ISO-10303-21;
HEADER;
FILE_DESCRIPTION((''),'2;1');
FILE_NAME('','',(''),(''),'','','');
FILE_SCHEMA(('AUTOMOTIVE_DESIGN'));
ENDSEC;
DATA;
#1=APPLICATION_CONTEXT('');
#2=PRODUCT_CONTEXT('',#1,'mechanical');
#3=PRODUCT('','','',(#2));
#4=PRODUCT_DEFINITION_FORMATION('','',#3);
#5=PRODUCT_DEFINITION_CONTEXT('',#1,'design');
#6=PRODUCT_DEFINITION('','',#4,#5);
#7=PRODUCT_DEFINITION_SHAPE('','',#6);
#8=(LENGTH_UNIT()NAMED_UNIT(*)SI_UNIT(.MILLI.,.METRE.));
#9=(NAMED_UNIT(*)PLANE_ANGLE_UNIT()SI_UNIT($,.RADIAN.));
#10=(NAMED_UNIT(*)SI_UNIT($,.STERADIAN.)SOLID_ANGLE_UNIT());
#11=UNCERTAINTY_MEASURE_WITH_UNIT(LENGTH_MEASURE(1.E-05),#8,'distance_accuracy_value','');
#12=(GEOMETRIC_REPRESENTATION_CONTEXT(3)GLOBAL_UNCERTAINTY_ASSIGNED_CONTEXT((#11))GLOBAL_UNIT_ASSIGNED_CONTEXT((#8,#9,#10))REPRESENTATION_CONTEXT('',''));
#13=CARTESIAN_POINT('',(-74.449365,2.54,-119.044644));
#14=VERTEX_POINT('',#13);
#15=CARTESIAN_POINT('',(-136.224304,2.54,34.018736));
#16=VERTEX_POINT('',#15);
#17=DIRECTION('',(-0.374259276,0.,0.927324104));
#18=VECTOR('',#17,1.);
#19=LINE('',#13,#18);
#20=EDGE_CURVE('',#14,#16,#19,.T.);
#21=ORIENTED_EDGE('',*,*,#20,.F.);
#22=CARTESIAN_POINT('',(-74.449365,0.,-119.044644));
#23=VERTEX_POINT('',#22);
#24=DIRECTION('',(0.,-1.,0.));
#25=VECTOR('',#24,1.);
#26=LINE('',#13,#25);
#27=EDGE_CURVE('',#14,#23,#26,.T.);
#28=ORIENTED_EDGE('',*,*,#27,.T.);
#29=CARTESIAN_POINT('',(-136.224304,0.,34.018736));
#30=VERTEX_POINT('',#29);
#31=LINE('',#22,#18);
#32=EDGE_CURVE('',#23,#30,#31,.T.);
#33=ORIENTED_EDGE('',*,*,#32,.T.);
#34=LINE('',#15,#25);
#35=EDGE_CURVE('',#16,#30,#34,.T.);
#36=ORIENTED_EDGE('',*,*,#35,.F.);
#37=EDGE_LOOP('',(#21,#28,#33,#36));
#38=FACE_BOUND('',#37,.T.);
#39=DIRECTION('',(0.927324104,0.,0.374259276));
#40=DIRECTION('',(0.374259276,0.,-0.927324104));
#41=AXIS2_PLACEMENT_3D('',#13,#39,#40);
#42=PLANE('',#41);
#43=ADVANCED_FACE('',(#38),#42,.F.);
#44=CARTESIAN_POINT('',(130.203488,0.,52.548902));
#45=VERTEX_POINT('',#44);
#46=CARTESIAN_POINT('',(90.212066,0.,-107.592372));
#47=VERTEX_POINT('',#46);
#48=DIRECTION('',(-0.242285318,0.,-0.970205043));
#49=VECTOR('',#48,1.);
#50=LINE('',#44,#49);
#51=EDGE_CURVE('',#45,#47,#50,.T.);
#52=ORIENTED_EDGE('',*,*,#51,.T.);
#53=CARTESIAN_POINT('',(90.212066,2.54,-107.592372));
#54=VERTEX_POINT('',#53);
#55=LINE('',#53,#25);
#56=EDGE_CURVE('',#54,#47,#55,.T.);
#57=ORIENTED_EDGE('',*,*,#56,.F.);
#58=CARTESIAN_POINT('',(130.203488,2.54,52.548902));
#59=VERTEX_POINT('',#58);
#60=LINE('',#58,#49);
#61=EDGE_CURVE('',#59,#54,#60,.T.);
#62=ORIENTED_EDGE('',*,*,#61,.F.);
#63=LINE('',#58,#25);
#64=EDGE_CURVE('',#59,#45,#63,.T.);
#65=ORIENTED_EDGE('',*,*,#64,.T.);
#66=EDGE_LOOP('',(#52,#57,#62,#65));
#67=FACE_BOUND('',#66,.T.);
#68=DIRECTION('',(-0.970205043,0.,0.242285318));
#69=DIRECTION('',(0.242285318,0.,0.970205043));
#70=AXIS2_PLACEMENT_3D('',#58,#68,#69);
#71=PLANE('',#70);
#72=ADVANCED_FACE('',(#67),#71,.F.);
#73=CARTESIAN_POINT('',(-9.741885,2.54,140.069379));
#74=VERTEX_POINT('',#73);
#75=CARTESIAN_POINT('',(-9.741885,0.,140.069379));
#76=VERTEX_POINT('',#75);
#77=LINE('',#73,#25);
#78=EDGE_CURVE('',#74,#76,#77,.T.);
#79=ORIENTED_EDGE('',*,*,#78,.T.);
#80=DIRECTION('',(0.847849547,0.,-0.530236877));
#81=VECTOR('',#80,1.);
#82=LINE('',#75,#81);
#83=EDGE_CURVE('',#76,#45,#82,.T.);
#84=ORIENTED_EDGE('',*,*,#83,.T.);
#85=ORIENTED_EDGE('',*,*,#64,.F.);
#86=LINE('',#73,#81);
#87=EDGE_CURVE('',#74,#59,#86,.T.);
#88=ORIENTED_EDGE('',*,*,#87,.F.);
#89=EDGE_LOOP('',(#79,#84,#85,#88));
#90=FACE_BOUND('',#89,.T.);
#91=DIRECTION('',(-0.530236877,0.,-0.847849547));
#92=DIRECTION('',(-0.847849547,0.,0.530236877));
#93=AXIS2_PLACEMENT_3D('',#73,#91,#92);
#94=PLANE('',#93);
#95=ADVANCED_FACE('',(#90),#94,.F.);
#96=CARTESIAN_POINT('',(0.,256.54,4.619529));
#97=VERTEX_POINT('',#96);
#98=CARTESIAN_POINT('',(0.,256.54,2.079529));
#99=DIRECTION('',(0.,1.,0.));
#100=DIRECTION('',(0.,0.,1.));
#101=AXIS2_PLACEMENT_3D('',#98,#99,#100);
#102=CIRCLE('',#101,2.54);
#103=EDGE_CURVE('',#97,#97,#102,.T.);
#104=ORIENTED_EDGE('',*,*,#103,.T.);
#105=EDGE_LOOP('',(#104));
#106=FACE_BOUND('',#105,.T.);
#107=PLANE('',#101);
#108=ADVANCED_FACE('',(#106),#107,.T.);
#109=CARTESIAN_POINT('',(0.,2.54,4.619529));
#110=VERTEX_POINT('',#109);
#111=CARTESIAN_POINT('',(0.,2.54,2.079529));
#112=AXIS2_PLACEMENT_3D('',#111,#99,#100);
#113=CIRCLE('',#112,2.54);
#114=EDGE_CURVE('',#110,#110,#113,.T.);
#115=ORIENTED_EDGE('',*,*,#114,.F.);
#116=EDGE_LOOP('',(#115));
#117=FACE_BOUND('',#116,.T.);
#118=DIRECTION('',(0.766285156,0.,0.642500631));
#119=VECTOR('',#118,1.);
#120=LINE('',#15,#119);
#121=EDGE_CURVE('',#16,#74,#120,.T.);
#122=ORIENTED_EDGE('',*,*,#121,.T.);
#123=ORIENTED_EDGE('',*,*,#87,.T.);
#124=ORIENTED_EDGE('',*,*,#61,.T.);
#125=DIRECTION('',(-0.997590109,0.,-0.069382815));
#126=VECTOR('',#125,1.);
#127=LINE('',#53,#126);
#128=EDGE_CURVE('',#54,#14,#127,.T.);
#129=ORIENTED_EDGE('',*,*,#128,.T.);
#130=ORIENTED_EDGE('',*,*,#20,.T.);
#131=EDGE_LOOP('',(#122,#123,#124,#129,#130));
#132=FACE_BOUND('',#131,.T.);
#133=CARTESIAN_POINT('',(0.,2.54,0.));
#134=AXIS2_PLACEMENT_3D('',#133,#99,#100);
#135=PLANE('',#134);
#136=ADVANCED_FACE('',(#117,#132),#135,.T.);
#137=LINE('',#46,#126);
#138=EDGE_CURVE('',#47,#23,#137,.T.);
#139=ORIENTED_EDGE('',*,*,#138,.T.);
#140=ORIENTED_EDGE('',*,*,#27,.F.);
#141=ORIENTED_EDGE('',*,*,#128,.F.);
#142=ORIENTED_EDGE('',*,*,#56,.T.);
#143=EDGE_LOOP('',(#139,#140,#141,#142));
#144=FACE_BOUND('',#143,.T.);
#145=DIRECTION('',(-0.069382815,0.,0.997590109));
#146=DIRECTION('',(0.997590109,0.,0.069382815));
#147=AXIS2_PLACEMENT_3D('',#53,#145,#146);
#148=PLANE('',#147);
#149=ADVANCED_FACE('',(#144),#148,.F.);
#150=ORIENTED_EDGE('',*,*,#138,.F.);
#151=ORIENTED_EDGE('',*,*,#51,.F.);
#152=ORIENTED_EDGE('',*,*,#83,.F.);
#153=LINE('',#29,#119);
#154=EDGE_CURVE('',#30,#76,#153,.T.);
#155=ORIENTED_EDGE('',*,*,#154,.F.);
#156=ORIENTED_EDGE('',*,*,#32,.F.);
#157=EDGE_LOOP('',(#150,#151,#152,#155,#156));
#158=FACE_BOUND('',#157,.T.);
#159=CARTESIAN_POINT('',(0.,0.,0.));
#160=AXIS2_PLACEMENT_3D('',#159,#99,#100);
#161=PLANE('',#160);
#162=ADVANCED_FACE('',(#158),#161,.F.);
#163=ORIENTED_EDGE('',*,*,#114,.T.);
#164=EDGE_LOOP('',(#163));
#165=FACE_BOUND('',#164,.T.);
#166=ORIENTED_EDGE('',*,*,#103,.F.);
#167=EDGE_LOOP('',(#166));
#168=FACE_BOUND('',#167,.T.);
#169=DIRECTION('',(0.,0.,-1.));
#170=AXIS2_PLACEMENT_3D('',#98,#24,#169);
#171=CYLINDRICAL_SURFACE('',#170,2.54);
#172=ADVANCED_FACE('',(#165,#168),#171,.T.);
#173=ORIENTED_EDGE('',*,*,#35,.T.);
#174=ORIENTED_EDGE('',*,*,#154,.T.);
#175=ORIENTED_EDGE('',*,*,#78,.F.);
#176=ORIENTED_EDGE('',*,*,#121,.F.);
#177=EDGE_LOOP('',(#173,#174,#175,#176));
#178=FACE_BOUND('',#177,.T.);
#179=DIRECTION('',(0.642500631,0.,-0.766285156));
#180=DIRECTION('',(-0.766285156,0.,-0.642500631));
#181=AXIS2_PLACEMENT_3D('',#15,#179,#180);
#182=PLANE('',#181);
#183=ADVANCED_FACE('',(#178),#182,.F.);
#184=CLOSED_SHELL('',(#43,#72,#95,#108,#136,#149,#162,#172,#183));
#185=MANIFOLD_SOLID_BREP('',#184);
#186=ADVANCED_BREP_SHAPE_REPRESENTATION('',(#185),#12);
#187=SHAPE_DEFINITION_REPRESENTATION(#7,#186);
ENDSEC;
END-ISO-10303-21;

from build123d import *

# Parameters (mm, degrees)
BOSS_EXTRUDE3_DEPTH = 2.54
SKETCH4_R           = 2.54
BOSS_EXTRUDE4_DEPTH = 254


with BuildPart() as part:
    # Sketch3 → Boss-Extrude3 (new body)
    with BuildSketch(Plane(origin=(0, 0, 0), x_dir=(1, 0, 0), z_dir=(0, 1, 0))):
        Polygon((90.212065812, 107.592372069), (-74.449365126, 119.044644473), (-136.224303901, -34.018735606), (-9.741884778, -140.069379332), (130.203487993, -52.548901604), align=None)
    extrude(amount=BOSS_EXTRUDE3_DEPTH)

    # Sketch4 → Boss-Extrude4 (add)
    with BuildSketch(Plane(origin=(0, 2.54, 0), x_dir=(1, 0, 0), z_dir=(0, 1, 0))):
        with Locations(Location((0, -2.079529354, 0), (0, 0, 270))):
            Circle(SKETCH4_R)
    extrude(amount=BOSS_EXTRUDE4_DEPTH)


solid = part.part
